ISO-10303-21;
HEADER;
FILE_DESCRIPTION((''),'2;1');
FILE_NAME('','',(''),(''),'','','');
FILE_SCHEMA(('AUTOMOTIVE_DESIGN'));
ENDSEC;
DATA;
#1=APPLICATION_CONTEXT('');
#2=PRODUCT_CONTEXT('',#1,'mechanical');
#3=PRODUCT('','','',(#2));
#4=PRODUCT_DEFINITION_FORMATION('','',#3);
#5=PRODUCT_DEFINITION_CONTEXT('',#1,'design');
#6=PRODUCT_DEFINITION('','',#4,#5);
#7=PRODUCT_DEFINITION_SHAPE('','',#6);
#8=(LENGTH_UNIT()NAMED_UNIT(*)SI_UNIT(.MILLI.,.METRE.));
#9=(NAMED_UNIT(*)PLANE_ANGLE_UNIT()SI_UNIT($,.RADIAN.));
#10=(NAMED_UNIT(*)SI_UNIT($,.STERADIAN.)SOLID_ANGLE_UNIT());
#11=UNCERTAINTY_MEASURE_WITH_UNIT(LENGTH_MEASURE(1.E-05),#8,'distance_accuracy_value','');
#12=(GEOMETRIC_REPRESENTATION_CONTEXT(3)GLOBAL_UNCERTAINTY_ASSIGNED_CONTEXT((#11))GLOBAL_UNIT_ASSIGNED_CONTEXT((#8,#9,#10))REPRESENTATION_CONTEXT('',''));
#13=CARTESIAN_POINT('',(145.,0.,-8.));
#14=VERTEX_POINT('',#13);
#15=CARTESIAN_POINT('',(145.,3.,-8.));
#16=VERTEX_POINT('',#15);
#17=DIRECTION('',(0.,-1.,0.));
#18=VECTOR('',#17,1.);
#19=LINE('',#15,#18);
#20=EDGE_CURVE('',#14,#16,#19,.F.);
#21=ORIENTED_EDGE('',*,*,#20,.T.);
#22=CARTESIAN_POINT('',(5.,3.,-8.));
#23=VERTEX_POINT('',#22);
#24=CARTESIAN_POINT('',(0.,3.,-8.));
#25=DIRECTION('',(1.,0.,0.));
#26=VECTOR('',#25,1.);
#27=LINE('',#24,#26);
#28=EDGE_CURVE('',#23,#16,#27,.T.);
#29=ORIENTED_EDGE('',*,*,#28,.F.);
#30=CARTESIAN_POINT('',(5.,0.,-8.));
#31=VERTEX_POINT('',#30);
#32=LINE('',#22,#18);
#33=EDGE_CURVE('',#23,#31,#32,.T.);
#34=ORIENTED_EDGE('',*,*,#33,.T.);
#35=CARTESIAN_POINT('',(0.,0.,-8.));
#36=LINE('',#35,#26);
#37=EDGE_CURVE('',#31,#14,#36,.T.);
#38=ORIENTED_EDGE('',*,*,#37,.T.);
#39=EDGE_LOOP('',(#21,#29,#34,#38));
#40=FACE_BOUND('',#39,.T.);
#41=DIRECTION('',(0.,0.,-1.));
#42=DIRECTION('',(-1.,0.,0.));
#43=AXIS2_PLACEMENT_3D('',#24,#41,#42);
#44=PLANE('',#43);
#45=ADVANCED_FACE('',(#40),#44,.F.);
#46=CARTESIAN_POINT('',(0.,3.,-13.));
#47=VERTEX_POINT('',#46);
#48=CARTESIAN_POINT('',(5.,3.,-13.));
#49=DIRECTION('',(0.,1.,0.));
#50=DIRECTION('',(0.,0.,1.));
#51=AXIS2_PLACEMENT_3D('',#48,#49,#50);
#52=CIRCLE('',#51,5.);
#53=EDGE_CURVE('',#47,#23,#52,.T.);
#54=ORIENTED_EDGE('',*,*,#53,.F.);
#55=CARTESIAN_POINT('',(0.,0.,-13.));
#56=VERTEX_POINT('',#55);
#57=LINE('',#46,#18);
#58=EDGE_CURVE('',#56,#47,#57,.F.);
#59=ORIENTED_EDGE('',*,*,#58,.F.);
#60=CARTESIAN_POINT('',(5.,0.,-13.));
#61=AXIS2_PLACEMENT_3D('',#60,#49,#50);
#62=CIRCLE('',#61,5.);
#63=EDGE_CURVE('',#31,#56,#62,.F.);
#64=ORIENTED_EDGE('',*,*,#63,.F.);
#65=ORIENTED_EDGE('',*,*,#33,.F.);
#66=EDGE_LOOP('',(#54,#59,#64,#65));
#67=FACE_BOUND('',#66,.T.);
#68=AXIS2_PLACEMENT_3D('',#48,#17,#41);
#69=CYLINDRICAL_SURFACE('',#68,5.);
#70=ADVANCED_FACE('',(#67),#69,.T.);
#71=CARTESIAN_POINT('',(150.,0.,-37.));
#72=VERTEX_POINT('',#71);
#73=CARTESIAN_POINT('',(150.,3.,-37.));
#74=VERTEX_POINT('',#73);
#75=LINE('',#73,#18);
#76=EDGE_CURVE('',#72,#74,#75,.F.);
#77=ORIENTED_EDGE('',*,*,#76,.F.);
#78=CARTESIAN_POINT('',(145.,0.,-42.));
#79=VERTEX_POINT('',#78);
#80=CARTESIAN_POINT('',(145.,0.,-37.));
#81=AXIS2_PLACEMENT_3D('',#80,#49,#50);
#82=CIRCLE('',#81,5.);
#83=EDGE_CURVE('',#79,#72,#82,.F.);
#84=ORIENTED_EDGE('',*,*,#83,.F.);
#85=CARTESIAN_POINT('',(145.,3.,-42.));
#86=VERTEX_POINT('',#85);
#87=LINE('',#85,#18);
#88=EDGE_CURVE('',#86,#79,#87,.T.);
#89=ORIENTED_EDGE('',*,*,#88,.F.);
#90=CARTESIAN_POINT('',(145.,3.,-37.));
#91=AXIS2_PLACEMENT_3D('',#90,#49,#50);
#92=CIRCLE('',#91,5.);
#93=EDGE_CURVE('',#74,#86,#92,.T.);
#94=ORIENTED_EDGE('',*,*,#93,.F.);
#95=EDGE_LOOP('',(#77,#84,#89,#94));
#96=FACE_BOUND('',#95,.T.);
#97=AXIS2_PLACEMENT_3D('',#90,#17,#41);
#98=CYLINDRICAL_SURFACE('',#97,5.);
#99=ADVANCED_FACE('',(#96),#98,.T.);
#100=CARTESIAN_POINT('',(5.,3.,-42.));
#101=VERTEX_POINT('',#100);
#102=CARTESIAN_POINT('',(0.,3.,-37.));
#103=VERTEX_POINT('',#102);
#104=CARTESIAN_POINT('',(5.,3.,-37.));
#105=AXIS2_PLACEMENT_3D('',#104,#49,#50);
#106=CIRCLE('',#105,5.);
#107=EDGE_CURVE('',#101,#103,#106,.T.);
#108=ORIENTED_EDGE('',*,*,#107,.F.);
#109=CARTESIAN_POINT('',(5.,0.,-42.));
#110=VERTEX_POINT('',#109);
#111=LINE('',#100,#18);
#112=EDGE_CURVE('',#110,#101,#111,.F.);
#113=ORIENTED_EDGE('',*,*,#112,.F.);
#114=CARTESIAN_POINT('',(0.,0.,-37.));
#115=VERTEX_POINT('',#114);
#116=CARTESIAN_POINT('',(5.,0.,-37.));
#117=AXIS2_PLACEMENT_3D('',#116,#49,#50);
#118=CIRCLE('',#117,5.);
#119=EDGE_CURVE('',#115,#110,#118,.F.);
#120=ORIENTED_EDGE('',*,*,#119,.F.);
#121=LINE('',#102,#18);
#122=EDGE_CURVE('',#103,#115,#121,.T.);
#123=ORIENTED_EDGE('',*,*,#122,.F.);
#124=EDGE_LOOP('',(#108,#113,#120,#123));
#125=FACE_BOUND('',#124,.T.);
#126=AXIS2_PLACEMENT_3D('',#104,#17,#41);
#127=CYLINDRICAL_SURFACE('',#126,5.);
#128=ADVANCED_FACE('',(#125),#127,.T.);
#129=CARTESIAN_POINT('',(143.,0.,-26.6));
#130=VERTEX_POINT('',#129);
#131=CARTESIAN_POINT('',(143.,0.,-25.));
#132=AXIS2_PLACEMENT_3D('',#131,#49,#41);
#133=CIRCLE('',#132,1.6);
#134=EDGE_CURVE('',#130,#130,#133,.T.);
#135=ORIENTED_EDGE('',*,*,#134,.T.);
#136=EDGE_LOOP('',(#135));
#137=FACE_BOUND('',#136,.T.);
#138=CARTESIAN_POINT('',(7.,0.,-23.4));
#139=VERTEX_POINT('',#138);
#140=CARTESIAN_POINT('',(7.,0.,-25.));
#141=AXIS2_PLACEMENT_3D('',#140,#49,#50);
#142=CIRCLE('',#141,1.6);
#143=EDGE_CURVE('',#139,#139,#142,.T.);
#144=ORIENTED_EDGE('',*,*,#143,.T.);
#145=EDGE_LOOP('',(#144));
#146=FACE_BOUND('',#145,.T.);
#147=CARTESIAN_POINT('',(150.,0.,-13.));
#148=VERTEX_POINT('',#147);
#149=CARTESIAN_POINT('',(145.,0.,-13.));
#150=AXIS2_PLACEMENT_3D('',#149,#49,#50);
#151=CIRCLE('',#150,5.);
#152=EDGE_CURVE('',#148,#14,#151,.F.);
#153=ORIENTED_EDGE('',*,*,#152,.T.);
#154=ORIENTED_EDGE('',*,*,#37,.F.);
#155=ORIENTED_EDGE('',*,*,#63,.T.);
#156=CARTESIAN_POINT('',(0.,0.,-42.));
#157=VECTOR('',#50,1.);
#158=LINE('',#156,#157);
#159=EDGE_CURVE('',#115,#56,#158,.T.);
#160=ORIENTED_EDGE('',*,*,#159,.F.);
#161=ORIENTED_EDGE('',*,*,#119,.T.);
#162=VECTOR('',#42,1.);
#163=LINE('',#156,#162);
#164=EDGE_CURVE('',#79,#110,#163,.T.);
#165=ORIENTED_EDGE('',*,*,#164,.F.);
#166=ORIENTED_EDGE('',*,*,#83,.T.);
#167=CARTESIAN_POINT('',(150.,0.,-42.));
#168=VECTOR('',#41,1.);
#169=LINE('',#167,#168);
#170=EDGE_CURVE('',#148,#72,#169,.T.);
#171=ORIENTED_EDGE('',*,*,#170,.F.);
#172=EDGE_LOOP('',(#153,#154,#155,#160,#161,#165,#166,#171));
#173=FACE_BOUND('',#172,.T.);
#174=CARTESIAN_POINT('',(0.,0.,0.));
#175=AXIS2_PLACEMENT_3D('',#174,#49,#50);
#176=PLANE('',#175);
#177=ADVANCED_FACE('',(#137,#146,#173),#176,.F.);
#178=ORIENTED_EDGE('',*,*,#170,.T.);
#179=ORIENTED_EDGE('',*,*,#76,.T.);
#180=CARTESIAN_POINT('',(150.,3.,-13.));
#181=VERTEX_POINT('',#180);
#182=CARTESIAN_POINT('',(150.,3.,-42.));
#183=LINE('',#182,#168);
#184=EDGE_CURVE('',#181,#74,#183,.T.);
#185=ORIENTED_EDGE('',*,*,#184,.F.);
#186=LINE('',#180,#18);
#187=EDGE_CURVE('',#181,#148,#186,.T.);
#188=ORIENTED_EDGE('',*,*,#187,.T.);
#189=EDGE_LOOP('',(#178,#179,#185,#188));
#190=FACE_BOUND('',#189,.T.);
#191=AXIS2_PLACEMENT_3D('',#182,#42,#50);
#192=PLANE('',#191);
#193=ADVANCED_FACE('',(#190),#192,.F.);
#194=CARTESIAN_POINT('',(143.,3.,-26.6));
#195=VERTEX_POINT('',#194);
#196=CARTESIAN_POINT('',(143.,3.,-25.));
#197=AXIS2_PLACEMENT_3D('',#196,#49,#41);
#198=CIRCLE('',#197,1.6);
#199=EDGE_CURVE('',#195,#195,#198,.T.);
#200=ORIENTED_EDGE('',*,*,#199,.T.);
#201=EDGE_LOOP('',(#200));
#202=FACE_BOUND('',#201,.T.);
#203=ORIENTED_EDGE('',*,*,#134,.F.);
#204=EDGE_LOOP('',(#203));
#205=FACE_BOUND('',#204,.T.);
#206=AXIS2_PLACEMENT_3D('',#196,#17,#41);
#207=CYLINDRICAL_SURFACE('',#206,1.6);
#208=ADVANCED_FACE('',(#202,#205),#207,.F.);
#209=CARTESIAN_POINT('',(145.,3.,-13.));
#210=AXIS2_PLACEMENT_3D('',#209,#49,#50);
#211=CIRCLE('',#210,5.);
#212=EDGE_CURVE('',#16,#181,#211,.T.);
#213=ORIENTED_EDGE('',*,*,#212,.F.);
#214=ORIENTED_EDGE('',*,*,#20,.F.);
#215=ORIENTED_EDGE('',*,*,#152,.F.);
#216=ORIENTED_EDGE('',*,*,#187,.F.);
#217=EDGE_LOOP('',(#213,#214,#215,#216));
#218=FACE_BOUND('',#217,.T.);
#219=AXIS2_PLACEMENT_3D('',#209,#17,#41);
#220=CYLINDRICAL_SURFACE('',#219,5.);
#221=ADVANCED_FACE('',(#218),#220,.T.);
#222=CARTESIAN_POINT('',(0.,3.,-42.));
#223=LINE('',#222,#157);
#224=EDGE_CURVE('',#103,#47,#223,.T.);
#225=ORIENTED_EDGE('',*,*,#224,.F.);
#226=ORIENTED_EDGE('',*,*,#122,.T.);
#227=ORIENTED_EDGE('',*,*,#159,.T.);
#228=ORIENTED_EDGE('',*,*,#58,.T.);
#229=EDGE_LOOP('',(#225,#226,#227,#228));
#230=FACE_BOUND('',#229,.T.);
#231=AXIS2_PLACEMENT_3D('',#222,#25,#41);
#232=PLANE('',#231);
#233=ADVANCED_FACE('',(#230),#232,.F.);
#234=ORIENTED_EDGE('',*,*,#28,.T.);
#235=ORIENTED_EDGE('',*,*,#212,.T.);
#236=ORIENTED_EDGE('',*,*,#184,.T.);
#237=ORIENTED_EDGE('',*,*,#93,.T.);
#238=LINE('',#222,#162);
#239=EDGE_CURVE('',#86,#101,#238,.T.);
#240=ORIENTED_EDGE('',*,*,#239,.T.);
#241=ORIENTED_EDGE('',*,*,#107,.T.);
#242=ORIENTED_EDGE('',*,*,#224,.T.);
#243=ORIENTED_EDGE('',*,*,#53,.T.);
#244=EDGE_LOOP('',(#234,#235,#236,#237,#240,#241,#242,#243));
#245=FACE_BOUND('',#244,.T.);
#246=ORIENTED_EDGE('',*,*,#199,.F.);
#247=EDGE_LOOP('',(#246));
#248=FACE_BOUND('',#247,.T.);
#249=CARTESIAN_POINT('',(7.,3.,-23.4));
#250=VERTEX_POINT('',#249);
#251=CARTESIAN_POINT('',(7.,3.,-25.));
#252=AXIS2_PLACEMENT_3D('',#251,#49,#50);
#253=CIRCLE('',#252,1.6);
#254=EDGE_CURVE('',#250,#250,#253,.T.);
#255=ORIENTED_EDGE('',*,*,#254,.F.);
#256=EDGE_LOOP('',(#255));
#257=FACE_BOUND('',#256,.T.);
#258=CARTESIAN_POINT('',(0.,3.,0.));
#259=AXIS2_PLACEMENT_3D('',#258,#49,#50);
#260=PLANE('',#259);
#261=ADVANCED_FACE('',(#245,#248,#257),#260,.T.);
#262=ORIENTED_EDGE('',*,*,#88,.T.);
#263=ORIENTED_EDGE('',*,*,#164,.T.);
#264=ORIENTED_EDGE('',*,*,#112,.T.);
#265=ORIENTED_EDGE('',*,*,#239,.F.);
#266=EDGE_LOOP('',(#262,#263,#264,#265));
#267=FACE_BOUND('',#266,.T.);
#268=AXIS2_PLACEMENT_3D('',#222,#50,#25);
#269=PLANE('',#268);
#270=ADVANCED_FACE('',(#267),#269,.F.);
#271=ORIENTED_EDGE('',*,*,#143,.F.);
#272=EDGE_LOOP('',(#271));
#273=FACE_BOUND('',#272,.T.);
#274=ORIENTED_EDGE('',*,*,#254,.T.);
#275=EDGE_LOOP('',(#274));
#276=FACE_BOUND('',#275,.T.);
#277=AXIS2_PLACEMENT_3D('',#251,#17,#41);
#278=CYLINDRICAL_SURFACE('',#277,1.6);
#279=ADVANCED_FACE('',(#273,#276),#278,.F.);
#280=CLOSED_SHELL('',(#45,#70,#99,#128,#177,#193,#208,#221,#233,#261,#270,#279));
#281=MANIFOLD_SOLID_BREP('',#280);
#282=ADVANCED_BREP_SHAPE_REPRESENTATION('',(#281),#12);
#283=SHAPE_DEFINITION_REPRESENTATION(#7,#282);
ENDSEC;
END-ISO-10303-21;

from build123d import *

# Parameters (mm, degrees)
SKETCH_1_W      = 150
SKETCH_1_H      = 34
SKETCH_1_R      = 1.6
EXTRUDE_1_DEPTH = 3
FILLET_1_R      = 5


with BuildPart() as part:
    # ｽｹｯﾁ1 → ﾎﾞｽ - 押し出し1 (new body)
    with BuildSketch(Plane(origin=(0, 0, 0), x_dir=(1, 0, 0), z_dir=(0, 1, 0))):
        with Locations((75, 25)):
            Rectangle(SKETCH_1_W, SKETCH_1_H)
        with Locations(Location((143, 25, 0), (0, 0, 90))):
            Circle(SKETCH_1_R, mode=Mode.SUBTRACT)
        with Locations(Location((7, 25, 0), (0, 0, 270))):
            Circle(SKETCH_1_R, mode=Mode.SUBTRACT)
    extrude(amount=EXTRUDE_1_DEPTH)

    # ﾌｨﾚｯﾄ1
    fillet_1_edges = [part.edges().sort_by_distance(p)[0] for p in [
        (0, 1.5, -42),
        (150, 1.5, -42),
        (150, 1.5, -8),
        (0, 1.5, -8),
    ]]
    fillet(fillet_1_edges, radius=FILLET_1_R)


solid = part.part
